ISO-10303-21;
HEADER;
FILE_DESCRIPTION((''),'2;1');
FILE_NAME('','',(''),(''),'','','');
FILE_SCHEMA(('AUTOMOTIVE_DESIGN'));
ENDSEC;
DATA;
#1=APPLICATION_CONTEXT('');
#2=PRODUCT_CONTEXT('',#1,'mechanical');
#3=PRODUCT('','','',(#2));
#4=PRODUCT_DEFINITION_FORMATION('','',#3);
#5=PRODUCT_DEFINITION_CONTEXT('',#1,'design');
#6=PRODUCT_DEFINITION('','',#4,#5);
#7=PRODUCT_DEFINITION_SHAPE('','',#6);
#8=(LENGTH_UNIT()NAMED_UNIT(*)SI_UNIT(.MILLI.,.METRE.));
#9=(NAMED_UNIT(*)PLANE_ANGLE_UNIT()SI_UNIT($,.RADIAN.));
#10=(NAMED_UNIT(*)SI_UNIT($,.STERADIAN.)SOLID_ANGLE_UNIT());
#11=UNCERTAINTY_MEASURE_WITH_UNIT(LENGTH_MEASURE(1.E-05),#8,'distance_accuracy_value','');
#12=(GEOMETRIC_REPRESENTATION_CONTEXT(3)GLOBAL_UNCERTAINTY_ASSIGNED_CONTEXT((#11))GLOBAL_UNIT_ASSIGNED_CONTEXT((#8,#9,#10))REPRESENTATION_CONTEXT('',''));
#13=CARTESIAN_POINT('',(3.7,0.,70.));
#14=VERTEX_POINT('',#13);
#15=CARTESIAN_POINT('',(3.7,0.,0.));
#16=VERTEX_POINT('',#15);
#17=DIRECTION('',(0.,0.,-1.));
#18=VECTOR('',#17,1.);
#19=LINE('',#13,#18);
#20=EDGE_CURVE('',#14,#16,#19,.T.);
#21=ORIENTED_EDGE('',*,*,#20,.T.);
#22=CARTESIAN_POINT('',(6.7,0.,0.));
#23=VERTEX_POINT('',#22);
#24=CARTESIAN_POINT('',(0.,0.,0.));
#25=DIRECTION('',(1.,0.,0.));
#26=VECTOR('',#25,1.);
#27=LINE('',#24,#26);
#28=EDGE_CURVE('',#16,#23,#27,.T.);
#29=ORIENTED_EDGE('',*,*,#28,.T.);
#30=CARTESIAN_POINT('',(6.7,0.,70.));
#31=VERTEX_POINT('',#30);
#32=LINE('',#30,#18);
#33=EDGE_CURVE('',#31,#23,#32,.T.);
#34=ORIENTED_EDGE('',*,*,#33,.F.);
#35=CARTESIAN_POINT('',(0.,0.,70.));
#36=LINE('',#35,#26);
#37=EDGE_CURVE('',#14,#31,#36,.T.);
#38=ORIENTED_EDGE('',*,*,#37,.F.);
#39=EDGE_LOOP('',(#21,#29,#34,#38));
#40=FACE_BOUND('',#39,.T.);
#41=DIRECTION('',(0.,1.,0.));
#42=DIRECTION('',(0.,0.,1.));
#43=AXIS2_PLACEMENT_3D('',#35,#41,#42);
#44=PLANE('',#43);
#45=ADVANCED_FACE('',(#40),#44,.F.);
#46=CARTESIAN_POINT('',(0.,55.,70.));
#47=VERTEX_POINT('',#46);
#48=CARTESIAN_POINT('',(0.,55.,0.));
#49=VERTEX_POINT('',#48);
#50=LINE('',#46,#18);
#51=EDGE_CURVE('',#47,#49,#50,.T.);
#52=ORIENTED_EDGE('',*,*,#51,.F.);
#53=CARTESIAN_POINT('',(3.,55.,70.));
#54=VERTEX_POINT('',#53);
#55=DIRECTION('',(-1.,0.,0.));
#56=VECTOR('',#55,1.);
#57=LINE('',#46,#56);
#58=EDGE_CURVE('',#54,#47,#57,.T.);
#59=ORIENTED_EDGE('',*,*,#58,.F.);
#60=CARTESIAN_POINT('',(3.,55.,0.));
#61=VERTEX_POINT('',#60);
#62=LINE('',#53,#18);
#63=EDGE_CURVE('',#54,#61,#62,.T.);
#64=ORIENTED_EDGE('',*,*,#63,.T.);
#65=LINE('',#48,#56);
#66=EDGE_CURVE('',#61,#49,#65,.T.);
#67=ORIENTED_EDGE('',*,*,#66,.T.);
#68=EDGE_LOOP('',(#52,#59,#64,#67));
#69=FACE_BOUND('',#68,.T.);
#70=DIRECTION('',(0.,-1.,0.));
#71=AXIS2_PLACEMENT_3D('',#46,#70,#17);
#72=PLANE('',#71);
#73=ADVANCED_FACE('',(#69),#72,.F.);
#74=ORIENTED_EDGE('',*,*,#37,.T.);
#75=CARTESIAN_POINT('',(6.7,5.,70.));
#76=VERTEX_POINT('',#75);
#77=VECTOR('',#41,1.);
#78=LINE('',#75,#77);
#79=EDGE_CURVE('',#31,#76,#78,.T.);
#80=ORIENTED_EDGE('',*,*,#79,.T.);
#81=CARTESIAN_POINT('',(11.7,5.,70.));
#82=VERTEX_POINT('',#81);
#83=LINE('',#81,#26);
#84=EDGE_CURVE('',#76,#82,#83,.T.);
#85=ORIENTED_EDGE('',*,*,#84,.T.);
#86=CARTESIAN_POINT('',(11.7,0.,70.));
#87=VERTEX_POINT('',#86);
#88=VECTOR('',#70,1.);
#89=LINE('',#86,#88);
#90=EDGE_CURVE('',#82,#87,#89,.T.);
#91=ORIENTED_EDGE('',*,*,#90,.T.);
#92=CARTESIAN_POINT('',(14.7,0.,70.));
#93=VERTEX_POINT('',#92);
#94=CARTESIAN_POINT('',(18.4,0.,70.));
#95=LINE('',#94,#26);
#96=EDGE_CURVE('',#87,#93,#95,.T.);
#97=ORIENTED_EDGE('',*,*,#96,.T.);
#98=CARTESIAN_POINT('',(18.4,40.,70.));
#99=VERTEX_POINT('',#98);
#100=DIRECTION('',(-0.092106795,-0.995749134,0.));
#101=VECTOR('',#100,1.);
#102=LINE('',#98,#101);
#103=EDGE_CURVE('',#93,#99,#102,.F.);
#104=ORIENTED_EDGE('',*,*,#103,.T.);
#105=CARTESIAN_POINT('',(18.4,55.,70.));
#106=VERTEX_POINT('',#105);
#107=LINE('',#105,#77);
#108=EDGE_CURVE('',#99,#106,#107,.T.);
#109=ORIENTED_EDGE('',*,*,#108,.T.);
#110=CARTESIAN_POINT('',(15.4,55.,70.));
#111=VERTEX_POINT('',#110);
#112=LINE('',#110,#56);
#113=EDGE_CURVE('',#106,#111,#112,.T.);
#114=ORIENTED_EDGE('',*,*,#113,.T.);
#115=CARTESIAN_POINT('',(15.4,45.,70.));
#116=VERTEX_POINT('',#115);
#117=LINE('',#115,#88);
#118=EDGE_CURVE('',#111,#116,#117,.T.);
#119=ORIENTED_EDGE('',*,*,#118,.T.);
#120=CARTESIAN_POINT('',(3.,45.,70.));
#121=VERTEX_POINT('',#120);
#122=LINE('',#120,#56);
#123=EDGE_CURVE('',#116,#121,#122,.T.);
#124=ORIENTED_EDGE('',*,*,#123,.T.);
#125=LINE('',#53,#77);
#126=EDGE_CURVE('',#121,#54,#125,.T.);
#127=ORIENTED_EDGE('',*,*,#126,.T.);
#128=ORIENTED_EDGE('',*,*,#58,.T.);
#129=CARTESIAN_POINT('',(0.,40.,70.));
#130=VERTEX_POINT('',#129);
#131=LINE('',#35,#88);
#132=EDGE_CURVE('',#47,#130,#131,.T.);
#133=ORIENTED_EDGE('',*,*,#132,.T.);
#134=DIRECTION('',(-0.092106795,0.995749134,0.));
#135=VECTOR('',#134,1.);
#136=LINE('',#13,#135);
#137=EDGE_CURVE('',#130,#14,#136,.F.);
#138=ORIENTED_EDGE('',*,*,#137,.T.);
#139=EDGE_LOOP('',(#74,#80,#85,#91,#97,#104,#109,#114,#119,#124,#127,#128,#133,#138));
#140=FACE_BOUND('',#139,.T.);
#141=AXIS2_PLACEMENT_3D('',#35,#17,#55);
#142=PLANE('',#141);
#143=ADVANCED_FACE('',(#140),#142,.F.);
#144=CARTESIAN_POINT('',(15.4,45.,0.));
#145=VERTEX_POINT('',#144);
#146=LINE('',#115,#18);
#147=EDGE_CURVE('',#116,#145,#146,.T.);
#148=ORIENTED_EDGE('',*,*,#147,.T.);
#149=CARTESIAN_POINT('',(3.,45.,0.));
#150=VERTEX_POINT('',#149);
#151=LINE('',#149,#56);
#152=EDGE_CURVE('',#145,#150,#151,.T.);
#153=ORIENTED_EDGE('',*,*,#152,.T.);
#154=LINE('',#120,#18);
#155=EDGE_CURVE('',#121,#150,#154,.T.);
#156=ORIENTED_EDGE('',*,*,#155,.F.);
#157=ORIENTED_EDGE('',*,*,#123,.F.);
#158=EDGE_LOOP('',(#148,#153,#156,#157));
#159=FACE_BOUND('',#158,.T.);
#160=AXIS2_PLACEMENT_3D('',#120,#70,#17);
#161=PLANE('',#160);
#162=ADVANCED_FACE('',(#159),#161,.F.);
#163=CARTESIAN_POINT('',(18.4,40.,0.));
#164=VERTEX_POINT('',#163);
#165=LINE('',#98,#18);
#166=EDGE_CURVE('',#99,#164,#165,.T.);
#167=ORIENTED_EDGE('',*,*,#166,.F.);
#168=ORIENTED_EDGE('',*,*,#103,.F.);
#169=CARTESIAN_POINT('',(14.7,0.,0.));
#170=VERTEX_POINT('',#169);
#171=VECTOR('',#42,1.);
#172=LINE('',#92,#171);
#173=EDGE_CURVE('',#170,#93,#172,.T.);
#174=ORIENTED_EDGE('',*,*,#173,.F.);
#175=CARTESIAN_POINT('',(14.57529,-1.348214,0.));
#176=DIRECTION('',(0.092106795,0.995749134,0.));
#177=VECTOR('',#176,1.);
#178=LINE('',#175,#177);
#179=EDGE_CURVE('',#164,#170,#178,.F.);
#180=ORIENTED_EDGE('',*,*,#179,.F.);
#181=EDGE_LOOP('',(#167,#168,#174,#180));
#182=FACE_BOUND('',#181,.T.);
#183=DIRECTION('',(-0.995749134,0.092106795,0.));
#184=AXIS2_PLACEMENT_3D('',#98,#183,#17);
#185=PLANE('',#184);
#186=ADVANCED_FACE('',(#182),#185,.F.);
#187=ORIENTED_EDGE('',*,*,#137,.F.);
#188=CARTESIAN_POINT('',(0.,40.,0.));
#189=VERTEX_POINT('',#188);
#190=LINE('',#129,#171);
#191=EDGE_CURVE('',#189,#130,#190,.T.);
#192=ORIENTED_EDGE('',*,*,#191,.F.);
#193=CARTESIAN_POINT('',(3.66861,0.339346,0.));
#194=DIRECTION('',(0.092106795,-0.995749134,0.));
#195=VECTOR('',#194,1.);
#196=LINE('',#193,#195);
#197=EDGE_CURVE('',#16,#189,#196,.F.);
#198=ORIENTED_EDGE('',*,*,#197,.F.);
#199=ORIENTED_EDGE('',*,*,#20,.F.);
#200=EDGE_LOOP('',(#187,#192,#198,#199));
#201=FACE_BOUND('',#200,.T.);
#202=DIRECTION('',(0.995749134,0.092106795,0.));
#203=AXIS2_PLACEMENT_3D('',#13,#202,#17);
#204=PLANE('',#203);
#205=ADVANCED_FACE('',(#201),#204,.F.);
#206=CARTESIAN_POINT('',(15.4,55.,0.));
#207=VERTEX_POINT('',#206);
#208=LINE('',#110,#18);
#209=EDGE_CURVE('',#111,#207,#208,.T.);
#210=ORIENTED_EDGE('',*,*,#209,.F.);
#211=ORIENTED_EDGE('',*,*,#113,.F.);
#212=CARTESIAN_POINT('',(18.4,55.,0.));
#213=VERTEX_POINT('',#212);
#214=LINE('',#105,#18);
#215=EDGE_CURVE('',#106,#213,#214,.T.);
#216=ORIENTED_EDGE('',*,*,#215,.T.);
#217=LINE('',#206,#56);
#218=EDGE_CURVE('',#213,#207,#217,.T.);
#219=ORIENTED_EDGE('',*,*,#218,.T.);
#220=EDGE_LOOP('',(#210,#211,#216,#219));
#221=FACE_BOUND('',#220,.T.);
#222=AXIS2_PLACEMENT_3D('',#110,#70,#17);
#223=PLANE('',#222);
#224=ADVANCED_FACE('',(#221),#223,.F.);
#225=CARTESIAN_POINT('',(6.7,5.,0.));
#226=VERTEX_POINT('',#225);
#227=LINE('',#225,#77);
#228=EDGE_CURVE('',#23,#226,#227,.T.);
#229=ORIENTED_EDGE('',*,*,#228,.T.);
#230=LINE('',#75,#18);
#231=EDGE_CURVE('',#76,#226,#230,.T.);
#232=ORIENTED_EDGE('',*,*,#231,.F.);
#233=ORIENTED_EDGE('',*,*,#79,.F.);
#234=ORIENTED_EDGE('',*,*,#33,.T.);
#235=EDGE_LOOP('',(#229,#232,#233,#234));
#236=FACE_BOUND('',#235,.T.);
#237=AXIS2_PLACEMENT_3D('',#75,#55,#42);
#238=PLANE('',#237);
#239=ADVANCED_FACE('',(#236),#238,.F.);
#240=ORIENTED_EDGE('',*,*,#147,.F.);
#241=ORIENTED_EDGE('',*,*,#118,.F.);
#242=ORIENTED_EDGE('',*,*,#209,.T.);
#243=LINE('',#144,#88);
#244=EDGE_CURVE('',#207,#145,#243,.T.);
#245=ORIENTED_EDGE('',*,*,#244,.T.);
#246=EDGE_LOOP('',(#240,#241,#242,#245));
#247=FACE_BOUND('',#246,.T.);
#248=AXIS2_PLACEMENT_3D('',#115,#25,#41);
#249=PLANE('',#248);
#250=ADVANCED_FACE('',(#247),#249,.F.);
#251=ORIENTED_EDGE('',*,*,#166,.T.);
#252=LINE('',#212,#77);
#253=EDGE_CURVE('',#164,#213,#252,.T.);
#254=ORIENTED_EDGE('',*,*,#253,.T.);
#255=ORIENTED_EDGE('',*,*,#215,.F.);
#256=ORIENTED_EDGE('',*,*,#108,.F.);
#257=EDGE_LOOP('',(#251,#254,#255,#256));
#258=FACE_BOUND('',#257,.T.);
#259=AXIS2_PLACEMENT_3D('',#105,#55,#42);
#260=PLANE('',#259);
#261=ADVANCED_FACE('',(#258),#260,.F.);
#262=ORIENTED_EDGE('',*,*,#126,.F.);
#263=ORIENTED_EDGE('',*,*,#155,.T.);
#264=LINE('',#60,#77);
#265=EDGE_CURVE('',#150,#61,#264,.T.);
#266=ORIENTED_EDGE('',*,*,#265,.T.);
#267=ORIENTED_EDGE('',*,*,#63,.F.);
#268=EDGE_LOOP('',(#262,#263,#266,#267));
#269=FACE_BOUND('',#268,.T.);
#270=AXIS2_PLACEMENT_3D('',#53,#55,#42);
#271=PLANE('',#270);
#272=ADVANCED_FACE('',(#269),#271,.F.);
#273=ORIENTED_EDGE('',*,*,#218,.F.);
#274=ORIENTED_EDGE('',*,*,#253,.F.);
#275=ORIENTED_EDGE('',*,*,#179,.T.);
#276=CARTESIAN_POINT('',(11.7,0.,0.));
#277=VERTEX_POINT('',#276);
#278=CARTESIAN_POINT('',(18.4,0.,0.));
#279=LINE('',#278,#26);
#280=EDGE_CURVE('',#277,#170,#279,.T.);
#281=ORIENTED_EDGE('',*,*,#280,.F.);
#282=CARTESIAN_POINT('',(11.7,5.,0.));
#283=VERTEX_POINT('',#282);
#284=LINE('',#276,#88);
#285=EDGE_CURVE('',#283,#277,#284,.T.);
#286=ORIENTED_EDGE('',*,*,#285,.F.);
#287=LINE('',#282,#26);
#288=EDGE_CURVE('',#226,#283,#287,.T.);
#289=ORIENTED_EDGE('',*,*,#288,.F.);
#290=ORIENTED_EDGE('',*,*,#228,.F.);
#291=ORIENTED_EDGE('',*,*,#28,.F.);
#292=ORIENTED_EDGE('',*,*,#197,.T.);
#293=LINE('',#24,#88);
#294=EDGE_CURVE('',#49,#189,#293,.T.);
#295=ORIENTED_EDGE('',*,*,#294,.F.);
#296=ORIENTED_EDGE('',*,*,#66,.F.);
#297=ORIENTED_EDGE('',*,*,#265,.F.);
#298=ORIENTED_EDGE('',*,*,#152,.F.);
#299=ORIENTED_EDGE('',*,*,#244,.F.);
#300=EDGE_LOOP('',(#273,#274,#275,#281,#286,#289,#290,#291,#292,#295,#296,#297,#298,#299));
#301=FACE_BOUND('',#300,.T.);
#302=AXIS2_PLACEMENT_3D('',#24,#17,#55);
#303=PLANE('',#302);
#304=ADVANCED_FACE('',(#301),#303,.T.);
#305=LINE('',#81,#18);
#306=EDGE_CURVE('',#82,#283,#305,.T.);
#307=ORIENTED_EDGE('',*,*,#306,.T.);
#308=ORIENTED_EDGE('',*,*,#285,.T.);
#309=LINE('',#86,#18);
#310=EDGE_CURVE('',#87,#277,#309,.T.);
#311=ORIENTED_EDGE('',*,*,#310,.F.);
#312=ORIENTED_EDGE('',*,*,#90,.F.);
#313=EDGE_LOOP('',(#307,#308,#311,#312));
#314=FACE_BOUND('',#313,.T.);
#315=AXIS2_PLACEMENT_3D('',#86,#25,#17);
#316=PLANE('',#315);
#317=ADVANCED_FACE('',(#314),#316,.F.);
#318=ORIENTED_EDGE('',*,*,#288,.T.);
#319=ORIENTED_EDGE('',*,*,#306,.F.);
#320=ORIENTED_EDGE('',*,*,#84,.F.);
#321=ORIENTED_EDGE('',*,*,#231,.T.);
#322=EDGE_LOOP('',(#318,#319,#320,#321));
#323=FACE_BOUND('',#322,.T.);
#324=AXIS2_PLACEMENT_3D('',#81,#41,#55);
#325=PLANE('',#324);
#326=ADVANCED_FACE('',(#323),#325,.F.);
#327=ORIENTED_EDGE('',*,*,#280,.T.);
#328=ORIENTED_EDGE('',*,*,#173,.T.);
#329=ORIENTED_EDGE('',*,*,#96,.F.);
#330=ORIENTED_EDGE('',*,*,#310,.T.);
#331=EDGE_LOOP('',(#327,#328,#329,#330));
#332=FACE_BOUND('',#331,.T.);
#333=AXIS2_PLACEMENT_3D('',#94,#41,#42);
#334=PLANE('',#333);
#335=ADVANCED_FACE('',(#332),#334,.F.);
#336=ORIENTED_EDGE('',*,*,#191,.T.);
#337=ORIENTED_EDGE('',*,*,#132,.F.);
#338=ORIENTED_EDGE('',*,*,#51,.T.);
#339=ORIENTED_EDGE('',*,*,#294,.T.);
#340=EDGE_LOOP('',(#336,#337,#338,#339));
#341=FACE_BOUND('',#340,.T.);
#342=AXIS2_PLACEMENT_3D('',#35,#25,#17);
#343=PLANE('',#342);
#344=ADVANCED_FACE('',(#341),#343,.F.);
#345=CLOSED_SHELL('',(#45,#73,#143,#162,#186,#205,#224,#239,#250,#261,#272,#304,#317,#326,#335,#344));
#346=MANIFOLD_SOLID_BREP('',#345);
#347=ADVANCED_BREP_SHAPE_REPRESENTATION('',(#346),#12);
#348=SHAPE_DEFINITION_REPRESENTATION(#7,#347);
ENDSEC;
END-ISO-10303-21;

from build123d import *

# Parameters (mm, degrees)
BOSS_EXTRUDE1_DEPTH = 70
CHAMFER1_SIZE       = 40
CHAMFER1_SIZE2      = 3.7
CHAMFER2_SIZE       = 3.7
CHAMFER2_SIZE2      = 40


with BuildPart() as part:
    # Sketch1 → Boss-Extrude1 (new body)
    with BuildSketch(Plane.XY):
        Polygon((0, 0), (0, 55), (3, 55), (3, 45), (15.4, 45), (15.4, 55), (18.4, 55), (18.4, 0), (11.7, 0), (11.7, 5), (6.7, 5), (6.7, 0), align=None)
    extrude(amount=BOSS_EXTRUDE1_DEPTH)

    # Chamfer1
    chamfer1_edges = [part.edges().sort_by_distance(p)[0] for p in [
        (0, 0, 35),
    ]]
    chamfer1_side = [part.faces().sort_by_distance(p)[0] for p in [
        (0, 27.5, 35),
    ]]
    chamfer(chamfer1_edges, length=CHAMFER1_SIZE, length2=CHAMFER1_SIZE2, reference=chamfer1_side[0])

    # Chamfer2
    chamfer2_edges = [part.edges().sort_by_distance(p)[0] for p in [
        (18.4, 0, 35),
    ]]
    chamfer2_side = [part.faces().sort_by_distance(p)[0] for p in [
        (15.05, 0, 35),
    ]]
    chamfer(chamfer2_edges, length=CHAMFER2_SIZE, length2=CHAMFER2_SIZE2, reference=chamfer2_side[0])


solid = part.part
